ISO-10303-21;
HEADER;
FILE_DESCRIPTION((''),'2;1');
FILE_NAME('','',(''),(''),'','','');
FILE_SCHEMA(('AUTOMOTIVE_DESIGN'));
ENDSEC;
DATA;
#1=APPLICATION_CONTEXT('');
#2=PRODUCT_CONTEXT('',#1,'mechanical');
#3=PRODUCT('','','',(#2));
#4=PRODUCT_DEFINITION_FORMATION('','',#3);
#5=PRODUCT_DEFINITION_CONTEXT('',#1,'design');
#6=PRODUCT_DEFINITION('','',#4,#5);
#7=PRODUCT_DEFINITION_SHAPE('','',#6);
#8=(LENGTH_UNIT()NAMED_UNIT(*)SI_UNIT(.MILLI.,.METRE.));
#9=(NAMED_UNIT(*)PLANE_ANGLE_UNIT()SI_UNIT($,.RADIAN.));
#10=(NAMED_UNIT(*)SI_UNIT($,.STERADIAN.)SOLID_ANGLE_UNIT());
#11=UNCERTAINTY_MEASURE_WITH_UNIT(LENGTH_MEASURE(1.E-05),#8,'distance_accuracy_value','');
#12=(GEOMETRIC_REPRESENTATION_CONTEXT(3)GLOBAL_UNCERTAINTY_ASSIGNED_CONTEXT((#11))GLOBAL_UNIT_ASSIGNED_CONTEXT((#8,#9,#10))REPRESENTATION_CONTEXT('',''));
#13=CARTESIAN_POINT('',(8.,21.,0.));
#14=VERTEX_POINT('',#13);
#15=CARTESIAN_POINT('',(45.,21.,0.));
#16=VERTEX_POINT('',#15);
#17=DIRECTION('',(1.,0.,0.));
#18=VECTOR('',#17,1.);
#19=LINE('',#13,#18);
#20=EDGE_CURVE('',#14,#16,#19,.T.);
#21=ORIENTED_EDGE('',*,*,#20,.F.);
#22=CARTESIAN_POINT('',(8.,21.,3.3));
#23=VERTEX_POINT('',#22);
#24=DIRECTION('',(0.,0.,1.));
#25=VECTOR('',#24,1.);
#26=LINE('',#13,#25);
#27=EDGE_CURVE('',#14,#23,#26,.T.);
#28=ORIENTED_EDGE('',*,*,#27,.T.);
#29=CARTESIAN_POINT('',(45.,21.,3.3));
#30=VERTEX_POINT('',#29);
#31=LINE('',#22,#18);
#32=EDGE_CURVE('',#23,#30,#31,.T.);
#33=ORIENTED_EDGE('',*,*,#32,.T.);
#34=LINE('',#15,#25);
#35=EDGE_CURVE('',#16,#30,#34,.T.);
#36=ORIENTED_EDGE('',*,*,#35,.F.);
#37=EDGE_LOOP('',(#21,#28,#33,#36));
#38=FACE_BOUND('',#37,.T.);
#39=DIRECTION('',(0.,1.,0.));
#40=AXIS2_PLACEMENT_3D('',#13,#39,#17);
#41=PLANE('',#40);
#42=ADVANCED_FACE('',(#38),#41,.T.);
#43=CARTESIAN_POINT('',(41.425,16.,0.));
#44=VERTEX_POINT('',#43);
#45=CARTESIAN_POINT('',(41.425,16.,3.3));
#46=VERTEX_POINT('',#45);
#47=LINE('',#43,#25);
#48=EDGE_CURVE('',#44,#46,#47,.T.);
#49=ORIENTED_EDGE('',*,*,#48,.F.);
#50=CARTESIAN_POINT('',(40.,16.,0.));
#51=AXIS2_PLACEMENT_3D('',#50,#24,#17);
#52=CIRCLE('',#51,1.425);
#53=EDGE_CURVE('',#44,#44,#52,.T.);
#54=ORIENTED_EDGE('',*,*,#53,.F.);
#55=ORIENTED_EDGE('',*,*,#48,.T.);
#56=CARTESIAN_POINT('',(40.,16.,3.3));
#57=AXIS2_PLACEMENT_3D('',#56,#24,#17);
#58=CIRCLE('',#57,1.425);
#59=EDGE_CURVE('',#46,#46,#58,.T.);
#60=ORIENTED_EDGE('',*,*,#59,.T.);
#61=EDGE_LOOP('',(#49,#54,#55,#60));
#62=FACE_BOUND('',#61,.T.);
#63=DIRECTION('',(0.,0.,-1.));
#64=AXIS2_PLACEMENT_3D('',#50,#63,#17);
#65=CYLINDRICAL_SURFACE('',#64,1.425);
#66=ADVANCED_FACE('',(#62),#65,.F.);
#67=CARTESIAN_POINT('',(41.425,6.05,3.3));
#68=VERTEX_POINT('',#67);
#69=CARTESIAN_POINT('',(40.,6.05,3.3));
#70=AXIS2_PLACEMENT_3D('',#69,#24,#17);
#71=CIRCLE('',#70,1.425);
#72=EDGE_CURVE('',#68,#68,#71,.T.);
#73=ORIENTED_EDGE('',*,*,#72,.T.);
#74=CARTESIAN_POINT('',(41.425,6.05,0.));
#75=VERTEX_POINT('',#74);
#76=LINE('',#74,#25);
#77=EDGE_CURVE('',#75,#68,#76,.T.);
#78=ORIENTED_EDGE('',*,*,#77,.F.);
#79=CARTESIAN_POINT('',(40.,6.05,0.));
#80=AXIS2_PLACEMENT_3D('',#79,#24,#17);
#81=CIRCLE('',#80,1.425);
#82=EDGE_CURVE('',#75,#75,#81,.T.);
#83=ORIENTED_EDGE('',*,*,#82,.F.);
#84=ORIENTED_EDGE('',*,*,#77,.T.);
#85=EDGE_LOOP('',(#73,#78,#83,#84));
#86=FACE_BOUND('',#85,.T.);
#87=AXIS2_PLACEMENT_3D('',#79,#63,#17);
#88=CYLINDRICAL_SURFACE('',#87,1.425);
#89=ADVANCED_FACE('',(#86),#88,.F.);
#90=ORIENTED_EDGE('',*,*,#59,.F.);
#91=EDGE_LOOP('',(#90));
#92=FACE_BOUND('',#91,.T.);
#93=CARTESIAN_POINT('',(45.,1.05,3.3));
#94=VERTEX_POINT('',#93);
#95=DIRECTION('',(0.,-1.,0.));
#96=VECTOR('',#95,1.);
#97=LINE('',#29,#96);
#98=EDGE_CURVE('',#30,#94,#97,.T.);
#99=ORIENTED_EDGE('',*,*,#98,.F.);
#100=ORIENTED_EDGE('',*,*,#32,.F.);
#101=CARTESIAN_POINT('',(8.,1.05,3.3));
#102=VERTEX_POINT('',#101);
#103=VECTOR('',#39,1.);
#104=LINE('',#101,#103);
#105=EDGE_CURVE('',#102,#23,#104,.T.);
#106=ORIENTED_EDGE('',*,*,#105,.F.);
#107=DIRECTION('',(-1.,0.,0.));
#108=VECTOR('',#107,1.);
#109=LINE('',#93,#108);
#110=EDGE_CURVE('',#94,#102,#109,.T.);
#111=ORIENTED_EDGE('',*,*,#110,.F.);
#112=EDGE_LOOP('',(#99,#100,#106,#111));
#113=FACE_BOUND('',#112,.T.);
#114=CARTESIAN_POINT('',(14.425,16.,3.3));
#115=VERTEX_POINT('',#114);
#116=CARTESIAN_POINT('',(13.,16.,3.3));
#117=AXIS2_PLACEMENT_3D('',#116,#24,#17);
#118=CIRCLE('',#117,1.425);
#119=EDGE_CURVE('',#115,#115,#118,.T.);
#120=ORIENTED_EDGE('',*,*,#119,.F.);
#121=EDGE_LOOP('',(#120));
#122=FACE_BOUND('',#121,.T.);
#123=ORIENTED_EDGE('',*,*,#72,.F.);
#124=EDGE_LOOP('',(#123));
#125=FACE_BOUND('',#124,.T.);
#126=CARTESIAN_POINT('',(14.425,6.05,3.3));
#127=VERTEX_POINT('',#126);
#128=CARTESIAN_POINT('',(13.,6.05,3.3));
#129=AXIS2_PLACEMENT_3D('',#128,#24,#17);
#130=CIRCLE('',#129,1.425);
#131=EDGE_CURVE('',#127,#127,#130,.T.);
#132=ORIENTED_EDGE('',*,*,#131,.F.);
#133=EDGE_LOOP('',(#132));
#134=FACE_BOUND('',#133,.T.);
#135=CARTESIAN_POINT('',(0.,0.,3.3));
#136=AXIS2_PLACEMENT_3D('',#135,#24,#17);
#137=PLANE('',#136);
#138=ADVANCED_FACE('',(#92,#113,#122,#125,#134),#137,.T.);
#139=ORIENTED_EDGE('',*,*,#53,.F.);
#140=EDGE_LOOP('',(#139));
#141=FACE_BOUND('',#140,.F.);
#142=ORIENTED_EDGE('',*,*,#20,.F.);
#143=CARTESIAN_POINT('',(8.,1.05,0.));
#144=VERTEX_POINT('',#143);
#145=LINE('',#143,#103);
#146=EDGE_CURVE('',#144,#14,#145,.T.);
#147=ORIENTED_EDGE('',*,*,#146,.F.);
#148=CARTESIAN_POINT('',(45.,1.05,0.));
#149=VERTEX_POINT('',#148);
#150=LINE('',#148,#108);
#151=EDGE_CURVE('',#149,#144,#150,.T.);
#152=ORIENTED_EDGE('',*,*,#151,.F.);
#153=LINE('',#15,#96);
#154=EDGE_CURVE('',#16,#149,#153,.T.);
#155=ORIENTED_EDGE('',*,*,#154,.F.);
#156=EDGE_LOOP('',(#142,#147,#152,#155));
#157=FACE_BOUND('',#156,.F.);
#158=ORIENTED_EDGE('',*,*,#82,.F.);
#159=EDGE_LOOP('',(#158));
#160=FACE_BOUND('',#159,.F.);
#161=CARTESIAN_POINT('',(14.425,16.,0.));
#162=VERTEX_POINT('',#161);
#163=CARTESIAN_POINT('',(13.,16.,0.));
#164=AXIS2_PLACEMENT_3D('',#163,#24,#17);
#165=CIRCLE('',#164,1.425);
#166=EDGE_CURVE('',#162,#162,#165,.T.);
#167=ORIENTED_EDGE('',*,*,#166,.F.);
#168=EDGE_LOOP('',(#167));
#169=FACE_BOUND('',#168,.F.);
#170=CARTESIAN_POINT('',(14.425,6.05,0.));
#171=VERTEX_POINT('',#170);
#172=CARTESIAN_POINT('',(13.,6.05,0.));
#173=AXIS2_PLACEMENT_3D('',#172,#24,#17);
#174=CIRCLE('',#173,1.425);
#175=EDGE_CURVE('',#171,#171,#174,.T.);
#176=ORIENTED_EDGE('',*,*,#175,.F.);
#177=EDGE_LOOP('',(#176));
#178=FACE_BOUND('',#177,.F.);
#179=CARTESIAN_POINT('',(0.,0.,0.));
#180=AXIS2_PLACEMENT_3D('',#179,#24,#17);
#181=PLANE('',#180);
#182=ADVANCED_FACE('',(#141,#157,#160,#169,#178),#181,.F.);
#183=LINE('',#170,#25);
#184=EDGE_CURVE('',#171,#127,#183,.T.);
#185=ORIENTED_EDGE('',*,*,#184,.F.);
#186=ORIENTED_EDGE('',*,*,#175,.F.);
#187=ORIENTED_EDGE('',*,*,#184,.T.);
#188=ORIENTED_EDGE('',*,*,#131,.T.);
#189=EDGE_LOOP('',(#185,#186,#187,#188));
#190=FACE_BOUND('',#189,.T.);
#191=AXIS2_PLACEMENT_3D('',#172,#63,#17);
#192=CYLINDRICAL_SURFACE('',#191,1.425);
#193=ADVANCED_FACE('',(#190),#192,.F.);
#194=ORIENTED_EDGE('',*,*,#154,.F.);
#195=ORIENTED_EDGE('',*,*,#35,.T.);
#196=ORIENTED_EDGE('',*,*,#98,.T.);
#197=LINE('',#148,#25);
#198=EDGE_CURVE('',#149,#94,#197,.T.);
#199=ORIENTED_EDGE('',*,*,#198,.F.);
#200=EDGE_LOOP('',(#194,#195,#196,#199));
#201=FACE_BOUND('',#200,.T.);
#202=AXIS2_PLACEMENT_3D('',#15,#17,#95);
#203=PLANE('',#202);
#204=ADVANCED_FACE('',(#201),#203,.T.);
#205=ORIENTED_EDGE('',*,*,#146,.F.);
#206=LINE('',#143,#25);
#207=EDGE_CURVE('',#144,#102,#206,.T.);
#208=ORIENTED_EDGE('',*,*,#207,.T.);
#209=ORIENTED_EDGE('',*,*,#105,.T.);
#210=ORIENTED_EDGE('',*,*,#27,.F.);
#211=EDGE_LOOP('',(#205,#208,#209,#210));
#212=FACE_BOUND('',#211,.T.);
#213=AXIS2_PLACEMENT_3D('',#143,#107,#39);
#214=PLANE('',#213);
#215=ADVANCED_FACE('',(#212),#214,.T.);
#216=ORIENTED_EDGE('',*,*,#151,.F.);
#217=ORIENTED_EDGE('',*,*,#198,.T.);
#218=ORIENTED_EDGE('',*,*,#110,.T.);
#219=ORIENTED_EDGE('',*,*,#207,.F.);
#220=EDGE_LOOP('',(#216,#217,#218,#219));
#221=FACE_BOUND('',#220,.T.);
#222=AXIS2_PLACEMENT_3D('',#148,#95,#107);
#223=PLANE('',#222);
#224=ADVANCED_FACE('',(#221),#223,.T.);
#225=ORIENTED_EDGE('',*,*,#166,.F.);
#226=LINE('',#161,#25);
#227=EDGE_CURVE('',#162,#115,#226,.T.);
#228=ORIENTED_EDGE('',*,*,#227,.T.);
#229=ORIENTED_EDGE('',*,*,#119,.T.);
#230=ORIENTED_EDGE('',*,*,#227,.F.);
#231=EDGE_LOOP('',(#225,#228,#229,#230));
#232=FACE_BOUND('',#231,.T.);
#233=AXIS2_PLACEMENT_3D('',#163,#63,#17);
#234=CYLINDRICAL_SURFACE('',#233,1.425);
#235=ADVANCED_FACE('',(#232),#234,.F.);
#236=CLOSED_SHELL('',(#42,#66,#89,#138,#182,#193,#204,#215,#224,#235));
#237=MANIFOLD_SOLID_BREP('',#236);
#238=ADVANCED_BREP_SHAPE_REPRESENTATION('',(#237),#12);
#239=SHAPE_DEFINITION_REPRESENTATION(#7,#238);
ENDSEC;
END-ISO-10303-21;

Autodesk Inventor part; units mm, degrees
ref_plane "YZ Plane" through (0, 0, 0) normal (1, 0, 0) x (0, 1, 0)
ref_plane "XZ Plane" through (0, 0, 0) normal (0, 1, 0) x (-1, 0, 0)
ref_plane "XY Plane" through (0, 0, 0) normal (0, 0, 1) x (1, 0, 0)
sketch "Sketch1" plane through (0, 0, 0) normal (0, 0, 1) x (1, 0, 0)
  circle A0 centre (13, 16) radius 1.425
  circle A1 centre (13, 6.05) radius 1.425
  circle A2 centre (40, 6.05) radius 1.425
  circle A3 centre (40, 16) radius 1.425
  line L0 (45, 1.05) -> (8, 1.05)
  line L1 (8, 1.05) -> (8, 21)
  line L2 (8, 21) -> (45, 21)
  line L3 (45, 21) -> (45, 1.05)
  point P0 (0, 0)
  dimension "d24" = 9.95
  dimension "d27" = 9.95
  dimension "d31" = 5
  dimension "d32" = 5
  dimension "d33" = 5
  dimension "d34" = 5
  dimension "d40" = 5
  dimension "d41" = 5
  dimension "d42" = 5
  dimension "d43" = 27
extrude "Extrusion1" add sketch "Sketch1" along normal blind 3.3
properties part number "Muñeca2"
